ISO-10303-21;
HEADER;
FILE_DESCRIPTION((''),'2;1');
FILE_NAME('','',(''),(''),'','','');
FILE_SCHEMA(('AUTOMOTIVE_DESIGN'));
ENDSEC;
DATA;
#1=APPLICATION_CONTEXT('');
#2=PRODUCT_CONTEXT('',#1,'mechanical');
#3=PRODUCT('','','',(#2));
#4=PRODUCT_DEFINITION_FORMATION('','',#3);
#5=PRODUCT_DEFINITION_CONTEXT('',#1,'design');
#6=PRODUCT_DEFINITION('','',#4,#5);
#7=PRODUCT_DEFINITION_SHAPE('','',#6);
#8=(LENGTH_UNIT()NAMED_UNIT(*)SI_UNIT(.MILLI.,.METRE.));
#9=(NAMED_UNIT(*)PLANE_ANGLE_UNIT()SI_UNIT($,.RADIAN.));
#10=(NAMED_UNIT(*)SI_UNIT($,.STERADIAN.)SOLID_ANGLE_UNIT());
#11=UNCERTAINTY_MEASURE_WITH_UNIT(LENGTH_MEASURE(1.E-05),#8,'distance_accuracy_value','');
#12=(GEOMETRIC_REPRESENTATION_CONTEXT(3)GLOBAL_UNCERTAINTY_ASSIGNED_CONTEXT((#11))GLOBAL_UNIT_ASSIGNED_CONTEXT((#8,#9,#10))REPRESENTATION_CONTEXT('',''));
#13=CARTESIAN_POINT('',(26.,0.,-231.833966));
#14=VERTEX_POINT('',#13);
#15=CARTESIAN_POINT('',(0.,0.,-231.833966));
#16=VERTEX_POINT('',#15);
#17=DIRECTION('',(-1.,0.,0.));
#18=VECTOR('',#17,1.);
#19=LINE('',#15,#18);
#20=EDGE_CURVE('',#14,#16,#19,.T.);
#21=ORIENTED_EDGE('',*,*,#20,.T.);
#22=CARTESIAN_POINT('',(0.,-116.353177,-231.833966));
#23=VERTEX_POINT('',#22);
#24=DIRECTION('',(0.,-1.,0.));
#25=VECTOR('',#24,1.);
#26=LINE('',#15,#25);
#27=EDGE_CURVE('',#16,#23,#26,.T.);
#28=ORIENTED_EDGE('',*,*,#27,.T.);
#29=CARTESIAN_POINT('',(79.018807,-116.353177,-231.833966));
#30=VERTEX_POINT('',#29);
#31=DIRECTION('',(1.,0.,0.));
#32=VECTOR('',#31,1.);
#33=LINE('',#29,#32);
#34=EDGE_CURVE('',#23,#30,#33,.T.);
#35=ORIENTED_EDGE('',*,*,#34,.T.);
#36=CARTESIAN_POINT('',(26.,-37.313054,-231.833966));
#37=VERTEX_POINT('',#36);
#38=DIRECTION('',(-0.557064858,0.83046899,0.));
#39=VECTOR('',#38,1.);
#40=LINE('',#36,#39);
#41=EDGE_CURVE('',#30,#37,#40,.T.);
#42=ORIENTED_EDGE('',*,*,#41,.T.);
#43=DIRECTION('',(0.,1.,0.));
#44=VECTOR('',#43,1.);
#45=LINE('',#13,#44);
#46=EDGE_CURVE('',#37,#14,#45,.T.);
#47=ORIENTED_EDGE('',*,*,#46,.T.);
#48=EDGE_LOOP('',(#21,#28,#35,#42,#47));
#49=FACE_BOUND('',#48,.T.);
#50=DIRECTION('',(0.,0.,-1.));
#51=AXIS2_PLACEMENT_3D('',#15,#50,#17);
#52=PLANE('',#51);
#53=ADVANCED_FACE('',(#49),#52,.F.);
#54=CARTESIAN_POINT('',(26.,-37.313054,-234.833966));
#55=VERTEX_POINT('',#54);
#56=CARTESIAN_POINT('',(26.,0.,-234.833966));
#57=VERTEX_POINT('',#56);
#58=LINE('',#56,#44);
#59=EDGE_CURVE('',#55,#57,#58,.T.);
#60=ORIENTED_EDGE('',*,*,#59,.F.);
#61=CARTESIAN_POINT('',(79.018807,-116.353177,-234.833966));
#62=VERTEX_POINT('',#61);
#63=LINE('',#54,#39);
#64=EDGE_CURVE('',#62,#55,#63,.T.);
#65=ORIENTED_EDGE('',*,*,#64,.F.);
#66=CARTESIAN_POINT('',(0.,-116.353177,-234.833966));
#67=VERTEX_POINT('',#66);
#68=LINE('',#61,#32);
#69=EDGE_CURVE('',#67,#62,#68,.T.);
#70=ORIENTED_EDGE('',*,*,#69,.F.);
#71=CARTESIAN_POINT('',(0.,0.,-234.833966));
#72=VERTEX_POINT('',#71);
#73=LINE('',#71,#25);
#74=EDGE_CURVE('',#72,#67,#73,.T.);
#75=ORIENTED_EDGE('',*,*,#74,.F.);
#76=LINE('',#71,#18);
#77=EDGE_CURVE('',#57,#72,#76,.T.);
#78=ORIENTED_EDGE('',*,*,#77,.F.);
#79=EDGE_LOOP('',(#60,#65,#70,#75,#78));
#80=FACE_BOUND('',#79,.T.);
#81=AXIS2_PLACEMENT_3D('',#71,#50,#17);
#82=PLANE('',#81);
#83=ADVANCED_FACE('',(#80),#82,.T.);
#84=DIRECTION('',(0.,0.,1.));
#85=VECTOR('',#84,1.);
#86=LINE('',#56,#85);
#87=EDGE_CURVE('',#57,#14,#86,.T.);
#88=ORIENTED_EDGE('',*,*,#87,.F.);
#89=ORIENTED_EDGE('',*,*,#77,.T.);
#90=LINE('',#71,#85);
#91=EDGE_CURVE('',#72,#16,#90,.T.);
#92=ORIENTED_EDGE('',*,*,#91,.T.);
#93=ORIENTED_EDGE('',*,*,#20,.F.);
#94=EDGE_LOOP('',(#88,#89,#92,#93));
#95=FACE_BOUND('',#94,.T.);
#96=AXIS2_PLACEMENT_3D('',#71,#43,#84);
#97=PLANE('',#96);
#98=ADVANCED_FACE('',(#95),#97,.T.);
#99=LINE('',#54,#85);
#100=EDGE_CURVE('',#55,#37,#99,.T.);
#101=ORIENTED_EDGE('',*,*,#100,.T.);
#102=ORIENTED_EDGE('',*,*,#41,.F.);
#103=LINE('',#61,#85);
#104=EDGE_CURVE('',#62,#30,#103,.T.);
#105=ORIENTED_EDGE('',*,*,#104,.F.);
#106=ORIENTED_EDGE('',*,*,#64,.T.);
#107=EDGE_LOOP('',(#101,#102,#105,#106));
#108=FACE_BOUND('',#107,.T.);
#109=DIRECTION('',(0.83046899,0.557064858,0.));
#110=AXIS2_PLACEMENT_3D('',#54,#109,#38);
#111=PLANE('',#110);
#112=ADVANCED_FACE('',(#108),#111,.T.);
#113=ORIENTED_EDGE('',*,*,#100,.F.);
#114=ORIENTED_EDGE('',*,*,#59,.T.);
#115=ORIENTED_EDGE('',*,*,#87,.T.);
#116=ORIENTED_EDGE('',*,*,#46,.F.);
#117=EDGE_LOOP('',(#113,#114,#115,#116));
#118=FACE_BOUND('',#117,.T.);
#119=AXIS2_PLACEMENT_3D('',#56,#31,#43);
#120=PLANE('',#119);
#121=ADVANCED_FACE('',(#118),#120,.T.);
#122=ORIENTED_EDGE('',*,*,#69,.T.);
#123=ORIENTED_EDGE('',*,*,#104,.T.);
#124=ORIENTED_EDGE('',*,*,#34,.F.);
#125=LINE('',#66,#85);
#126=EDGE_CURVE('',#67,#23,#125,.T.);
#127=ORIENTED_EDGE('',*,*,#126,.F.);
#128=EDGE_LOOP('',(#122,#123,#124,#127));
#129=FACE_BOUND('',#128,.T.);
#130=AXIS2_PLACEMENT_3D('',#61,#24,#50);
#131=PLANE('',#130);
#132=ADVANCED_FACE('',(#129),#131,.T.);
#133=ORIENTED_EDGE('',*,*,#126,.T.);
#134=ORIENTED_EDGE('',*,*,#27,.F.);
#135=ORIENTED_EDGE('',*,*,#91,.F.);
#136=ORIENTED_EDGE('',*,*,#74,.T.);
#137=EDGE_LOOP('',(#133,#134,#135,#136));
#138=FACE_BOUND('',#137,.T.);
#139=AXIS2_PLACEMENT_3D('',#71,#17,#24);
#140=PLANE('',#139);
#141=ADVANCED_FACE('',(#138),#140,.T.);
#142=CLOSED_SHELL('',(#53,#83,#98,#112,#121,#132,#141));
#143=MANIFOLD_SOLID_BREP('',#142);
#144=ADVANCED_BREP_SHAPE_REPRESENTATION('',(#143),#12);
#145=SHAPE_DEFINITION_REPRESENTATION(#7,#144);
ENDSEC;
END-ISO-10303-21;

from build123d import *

# Parameters (mm, degrees)
BOSS_EXTRUDE1_DEPTH = 3


with BuildPart() as part:
    # Sketch1 → Boss-Extrude1 (new body)
    with BuildSketch(Plane.XY.offset(-231.833966153)):
        Polygon((0, 0), (0, -116.353177225), (79.018807169, -116.353177225), (26, -37.313053542), (26, 0), align=None)
    extrude(amount=-BOSS_EXTRUDE1_DEPTH)


solid = part.part
